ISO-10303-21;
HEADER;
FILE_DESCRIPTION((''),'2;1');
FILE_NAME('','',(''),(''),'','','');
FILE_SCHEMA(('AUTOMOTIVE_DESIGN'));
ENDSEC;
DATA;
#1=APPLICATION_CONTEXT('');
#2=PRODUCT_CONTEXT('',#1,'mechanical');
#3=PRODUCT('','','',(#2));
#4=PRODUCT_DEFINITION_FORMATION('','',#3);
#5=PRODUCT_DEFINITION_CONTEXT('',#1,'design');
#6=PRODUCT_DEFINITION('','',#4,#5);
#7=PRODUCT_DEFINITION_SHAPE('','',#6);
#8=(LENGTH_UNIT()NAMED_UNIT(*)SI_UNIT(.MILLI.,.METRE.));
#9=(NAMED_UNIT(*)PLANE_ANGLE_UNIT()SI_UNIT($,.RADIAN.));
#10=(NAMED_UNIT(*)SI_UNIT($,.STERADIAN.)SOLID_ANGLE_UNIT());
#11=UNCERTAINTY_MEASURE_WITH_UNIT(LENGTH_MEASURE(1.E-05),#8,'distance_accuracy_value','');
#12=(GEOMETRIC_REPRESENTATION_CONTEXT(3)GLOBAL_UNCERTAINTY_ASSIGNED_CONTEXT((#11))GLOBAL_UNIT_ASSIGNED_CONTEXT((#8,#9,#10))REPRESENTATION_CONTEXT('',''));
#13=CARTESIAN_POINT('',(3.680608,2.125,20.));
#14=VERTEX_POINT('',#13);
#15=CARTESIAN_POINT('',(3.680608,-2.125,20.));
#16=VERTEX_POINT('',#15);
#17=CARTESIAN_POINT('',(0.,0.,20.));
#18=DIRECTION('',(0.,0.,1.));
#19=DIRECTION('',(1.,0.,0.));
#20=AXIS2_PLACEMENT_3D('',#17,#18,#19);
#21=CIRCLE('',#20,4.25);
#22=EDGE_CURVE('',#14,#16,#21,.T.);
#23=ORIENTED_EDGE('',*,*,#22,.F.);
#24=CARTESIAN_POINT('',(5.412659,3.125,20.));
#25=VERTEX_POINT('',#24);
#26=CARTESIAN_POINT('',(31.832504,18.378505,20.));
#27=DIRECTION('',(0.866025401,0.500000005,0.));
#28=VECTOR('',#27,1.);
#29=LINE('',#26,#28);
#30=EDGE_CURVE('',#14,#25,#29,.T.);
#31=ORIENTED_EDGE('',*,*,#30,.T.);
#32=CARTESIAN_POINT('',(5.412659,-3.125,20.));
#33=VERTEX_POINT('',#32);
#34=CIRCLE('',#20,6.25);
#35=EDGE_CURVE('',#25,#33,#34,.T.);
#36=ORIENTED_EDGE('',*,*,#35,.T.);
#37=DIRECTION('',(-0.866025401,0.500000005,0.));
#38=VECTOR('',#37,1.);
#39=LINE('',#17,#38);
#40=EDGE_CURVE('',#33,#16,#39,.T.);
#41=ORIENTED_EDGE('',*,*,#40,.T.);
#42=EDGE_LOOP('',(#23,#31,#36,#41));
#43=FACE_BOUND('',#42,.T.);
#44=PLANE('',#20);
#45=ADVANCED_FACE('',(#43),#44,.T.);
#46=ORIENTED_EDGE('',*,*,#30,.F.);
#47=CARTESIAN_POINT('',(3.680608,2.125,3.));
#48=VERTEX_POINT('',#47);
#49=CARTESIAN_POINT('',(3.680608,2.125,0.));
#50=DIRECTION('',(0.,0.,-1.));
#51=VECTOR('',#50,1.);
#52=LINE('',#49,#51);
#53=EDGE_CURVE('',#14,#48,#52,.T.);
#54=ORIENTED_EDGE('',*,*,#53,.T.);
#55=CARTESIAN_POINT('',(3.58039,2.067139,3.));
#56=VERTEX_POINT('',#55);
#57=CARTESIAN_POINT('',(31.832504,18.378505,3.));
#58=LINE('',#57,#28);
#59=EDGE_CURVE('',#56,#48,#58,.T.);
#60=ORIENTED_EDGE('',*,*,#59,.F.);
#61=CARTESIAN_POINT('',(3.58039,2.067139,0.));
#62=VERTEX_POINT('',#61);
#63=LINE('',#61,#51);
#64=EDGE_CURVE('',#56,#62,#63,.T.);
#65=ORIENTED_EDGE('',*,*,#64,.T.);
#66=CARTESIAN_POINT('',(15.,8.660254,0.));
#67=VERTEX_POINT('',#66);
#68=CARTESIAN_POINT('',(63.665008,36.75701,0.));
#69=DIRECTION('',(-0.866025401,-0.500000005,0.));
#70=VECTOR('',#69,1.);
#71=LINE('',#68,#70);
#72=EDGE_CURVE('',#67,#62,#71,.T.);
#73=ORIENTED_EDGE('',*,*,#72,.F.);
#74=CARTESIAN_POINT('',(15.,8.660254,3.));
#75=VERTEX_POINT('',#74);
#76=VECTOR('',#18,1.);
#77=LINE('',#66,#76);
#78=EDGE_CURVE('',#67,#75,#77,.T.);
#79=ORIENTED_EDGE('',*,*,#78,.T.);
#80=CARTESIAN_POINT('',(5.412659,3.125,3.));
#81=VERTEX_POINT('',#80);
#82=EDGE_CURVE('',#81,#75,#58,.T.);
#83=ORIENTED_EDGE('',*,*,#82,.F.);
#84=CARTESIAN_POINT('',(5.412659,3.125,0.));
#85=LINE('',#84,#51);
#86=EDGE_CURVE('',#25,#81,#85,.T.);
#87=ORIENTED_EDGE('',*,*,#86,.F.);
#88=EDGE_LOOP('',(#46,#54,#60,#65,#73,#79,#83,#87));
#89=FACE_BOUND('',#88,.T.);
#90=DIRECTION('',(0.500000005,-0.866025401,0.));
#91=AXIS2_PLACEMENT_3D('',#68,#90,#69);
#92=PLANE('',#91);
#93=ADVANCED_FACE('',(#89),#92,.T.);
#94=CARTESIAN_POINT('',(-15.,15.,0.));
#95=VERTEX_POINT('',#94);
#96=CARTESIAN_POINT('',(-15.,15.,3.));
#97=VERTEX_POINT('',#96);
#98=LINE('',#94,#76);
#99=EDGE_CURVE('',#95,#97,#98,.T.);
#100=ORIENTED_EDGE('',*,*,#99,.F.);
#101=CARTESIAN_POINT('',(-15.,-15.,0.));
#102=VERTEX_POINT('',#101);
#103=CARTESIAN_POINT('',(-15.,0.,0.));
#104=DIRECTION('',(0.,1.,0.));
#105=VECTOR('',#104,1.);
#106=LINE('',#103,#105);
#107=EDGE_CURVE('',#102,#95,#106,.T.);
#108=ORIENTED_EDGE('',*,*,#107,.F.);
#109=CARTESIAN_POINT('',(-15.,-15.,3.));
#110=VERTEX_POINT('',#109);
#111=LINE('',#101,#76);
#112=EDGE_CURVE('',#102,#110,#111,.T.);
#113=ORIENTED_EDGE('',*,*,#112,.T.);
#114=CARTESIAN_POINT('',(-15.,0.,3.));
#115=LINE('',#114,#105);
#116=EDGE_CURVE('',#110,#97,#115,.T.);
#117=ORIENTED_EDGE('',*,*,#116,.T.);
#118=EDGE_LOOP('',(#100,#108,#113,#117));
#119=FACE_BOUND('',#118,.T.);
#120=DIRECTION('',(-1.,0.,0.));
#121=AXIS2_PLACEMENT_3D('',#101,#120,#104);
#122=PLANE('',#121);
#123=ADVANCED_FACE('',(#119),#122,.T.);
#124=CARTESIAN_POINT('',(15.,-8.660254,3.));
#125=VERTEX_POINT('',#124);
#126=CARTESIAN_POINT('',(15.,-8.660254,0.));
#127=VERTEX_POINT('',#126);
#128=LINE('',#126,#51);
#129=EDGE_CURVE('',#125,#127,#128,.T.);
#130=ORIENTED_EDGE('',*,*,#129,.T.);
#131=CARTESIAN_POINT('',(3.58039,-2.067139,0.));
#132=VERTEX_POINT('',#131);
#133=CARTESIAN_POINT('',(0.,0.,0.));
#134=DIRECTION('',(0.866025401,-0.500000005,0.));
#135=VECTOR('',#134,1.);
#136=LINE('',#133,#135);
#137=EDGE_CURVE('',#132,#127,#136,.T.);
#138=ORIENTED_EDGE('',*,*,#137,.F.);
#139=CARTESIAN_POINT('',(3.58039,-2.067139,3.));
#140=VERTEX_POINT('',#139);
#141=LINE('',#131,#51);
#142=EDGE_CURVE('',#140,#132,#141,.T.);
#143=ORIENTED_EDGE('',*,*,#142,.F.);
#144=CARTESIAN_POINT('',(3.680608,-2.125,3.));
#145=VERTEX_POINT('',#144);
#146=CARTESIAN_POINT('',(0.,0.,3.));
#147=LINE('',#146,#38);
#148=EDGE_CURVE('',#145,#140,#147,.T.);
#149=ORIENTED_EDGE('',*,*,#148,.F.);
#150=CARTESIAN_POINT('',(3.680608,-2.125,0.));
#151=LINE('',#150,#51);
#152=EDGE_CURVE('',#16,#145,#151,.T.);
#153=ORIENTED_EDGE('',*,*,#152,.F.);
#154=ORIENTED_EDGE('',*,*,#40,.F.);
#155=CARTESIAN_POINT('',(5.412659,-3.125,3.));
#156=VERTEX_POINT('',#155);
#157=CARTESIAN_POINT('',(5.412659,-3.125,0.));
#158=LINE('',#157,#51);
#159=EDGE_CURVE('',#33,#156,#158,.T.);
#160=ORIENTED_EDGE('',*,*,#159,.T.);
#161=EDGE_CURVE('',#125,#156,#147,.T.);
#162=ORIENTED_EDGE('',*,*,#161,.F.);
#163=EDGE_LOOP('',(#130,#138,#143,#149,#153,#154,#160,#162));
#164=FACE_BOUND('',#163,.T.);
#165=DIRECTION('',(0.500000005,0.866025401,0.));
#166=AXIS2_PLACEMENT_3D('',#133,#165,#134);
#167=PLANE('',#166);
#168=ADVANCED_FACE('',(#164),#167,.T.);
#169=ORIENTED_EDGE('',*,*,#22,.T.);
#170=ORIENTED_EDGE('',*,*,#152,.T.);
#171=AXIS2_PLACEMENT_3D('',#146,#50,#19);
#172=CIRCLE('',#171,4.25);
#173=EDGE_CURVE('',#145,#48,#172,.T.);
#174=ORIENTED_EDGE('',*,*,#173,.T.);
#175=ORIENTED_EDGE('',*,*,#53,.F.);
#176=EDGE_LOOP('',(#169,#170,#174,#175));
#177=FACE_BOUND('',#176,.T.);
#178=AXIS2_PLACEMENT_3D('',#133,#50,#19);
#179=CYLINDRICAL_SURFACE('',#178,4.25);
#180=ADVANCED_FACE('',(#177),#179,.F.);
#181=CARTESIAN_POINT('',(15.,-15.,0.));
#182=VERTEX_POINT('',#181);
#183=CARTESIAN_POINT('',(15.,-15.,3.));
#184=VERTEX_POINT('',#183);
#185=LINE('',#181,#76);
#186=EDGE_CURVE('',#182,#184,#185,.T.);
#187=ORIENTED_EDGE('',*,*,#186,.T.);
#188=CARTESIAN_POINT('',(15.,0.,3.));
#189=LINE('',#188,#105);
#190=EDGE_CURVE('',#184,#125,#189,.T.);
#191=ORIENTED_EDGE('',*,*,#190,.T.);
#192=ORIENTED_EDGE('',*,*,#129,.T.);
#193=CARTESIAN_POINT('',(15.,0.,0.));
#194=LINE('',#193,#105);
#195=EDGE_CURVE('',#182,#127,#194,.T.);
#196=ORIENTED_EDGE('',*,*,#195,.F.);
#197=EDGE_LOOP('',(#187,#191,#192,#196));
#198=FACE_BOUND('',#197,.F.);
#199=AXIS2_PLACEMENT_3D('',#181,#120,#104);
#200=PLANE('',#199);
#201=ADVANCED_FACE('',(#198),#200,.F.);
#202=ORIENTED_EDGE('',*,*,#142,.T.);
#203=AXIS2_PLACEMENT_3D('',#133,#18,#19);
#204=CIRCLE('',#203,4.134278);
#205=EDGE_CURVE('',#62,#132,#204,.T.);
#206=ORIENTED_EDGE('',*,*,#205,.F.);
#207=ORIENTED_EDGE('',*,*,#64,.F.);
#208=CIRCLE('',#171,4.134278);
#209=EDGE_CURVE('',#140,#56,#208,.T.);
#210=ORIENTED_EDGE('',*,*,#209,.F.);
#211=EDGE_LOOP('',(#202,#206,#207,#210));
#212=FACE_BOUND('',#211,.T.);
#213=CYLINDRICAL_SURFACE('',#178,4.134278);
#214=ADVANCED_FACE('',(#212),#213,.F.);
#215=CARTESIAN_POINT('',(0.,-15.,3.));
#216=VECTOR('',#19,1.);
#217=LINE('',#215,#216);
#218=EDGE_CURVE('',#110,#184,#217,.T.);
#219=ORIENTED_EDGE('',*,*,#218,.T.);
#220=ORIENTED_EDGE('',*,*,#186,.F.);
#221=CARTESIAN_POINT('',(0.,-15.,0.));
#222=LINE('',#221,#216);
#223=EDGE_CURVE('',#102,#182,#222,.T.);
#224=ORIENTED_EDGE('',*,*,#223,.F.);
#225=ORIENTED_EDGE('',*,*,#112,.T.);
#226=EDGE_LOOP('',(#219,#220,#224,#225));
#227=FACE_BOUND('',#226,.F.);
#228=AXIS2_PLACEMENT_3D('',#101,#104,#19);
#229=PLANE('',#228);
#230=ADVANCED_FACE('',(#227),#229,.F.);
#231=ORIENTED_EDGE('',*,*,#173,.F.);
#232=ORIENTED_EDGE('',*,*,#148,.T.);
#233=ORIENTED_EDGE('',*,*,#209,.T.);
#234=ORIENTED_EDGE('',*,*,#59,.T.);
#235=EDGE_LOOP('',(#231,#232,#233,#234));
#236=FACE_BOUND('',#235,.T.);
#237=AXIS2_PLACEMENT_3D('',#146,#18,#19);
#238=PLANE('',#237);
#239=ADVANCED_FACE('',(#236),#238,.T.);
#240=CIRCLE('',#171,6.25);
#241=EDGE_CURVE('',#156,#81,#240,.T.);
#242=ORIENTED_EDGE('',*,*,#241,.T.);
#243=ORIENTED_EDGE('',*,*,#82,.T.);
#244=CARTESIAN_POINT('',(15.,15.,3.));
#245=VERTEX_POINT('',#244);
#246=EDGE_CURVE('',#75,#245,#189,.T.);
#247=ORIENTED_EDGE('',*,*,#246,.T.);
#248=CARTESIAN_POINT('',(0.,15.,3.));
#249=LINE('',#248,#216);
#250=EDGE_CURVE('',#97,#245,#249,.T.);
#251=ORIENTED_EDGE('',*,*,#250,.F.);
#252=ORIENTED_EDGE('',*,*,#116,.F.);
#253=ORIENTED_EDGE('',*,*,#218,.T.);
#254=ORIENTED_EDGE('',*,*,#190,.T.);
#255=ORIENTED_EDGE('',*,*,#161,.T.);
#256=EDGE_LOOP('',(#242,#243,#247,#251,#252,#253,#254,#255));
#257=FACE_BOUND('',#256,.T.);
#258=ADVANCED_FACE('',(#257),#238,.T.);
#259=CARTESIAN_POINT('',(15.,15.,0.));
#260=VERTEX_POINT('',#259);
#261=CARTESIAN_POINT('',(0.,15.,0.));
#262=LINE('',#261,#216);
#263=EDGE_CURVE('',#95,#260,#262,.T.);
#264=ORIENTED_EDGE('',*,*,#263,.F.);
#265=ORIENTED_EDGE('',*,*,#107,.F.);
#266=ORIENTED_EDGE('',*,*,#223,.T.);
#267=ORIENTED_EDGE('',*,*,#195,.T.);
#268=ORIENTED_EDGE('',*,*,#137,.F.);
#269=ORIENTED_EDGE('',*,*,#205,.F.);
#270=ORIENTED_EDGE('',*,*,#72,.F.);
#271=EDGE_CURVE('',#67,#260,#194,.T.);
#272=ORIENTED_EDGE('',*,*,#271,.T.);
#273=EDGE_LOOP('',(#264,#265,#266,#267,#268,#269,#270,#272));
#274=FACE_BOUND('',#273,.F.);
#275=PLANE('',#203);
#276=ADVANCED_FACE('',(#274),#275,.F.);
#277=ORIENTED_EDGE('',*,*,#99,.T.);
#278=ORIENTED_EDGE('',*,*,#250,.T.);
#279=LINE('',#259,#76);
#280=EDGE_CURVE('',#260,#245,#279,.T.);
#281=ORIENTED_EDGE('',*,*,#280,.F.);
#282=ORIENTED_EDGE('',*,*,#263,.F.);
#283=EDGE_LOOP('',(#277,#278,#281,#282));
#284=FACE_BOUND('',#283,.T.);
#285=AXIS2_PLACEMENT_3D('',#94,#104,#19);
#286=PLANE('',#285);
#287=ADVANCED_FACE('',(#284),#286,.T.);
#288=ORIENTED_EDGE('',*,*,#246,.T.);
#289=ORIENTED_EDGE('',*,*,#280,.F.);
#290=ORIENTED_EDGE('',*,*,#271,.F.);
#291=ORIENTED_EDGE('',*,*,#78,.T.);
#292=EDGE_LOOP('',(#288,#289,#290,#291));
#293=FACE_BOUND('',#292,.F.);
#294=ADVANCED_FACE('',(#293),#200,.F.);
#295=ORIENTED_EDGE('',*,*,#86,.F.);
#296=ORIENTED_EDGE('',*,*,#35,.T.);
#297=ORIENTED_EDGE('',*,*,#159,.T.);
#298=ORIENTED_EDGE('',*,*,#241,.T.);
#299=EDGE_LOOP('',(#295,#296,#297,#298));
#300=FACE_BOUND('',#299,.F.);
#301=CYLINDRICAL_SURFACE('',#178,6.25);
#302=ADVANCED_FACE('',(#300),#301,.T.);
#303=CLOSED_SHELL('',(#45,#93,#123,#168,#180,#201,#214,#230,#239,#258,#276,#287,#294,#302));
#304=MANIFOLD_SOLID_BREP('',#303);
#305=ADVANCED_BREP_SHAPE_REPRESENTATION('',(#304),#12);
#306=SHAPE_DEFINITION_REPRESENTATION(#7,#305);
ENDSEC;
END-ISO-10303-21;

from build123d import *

# Parameters (mm, degrees)
F0_R     = 6.25
F0_R_2   = 4.25
F1_DEPTH = 20
F2_W     = 30
F2_H     = 30
F3_DEPTH = 3
F4_R     = 4.134278
F5_DEPTH = 20.001
F7_DEPTH = 25


with BuildPart() as f1:
    # F0 (on Top) → F1 (new body)
    with BuildSketch(Plane.XY):
        Circle(F0_R)
        Circle(F0_R_2, mode=Mode.SUBTRACT)
    extrude(amount=F1_DEPTH)

    # F2 (on Top) → F3 (join)
    with BuildSketch(Plane.XY):
        Rectangle(F2_W, F2_H)
    extrude(amount=F3_DEPTH)

    # F4 (on Top) → F5 (cut, through all)
    with BuildSketch(Plane.XY):
        Circle(F4_R)
    extrude(amount=F5_DEPTH, mode=Mode.SUBTRACT)

    # F6 (on Top) → F7 (cut)
    with BuildSketch(Plane.XY):
        Polygon((63.665008, -36.75701), (63.665008, 36.75701), (0, 0), align=None)
    extrude(amount=F7_DEPTH, mode=Mode.SUBTRACT)


solid = f1.part
